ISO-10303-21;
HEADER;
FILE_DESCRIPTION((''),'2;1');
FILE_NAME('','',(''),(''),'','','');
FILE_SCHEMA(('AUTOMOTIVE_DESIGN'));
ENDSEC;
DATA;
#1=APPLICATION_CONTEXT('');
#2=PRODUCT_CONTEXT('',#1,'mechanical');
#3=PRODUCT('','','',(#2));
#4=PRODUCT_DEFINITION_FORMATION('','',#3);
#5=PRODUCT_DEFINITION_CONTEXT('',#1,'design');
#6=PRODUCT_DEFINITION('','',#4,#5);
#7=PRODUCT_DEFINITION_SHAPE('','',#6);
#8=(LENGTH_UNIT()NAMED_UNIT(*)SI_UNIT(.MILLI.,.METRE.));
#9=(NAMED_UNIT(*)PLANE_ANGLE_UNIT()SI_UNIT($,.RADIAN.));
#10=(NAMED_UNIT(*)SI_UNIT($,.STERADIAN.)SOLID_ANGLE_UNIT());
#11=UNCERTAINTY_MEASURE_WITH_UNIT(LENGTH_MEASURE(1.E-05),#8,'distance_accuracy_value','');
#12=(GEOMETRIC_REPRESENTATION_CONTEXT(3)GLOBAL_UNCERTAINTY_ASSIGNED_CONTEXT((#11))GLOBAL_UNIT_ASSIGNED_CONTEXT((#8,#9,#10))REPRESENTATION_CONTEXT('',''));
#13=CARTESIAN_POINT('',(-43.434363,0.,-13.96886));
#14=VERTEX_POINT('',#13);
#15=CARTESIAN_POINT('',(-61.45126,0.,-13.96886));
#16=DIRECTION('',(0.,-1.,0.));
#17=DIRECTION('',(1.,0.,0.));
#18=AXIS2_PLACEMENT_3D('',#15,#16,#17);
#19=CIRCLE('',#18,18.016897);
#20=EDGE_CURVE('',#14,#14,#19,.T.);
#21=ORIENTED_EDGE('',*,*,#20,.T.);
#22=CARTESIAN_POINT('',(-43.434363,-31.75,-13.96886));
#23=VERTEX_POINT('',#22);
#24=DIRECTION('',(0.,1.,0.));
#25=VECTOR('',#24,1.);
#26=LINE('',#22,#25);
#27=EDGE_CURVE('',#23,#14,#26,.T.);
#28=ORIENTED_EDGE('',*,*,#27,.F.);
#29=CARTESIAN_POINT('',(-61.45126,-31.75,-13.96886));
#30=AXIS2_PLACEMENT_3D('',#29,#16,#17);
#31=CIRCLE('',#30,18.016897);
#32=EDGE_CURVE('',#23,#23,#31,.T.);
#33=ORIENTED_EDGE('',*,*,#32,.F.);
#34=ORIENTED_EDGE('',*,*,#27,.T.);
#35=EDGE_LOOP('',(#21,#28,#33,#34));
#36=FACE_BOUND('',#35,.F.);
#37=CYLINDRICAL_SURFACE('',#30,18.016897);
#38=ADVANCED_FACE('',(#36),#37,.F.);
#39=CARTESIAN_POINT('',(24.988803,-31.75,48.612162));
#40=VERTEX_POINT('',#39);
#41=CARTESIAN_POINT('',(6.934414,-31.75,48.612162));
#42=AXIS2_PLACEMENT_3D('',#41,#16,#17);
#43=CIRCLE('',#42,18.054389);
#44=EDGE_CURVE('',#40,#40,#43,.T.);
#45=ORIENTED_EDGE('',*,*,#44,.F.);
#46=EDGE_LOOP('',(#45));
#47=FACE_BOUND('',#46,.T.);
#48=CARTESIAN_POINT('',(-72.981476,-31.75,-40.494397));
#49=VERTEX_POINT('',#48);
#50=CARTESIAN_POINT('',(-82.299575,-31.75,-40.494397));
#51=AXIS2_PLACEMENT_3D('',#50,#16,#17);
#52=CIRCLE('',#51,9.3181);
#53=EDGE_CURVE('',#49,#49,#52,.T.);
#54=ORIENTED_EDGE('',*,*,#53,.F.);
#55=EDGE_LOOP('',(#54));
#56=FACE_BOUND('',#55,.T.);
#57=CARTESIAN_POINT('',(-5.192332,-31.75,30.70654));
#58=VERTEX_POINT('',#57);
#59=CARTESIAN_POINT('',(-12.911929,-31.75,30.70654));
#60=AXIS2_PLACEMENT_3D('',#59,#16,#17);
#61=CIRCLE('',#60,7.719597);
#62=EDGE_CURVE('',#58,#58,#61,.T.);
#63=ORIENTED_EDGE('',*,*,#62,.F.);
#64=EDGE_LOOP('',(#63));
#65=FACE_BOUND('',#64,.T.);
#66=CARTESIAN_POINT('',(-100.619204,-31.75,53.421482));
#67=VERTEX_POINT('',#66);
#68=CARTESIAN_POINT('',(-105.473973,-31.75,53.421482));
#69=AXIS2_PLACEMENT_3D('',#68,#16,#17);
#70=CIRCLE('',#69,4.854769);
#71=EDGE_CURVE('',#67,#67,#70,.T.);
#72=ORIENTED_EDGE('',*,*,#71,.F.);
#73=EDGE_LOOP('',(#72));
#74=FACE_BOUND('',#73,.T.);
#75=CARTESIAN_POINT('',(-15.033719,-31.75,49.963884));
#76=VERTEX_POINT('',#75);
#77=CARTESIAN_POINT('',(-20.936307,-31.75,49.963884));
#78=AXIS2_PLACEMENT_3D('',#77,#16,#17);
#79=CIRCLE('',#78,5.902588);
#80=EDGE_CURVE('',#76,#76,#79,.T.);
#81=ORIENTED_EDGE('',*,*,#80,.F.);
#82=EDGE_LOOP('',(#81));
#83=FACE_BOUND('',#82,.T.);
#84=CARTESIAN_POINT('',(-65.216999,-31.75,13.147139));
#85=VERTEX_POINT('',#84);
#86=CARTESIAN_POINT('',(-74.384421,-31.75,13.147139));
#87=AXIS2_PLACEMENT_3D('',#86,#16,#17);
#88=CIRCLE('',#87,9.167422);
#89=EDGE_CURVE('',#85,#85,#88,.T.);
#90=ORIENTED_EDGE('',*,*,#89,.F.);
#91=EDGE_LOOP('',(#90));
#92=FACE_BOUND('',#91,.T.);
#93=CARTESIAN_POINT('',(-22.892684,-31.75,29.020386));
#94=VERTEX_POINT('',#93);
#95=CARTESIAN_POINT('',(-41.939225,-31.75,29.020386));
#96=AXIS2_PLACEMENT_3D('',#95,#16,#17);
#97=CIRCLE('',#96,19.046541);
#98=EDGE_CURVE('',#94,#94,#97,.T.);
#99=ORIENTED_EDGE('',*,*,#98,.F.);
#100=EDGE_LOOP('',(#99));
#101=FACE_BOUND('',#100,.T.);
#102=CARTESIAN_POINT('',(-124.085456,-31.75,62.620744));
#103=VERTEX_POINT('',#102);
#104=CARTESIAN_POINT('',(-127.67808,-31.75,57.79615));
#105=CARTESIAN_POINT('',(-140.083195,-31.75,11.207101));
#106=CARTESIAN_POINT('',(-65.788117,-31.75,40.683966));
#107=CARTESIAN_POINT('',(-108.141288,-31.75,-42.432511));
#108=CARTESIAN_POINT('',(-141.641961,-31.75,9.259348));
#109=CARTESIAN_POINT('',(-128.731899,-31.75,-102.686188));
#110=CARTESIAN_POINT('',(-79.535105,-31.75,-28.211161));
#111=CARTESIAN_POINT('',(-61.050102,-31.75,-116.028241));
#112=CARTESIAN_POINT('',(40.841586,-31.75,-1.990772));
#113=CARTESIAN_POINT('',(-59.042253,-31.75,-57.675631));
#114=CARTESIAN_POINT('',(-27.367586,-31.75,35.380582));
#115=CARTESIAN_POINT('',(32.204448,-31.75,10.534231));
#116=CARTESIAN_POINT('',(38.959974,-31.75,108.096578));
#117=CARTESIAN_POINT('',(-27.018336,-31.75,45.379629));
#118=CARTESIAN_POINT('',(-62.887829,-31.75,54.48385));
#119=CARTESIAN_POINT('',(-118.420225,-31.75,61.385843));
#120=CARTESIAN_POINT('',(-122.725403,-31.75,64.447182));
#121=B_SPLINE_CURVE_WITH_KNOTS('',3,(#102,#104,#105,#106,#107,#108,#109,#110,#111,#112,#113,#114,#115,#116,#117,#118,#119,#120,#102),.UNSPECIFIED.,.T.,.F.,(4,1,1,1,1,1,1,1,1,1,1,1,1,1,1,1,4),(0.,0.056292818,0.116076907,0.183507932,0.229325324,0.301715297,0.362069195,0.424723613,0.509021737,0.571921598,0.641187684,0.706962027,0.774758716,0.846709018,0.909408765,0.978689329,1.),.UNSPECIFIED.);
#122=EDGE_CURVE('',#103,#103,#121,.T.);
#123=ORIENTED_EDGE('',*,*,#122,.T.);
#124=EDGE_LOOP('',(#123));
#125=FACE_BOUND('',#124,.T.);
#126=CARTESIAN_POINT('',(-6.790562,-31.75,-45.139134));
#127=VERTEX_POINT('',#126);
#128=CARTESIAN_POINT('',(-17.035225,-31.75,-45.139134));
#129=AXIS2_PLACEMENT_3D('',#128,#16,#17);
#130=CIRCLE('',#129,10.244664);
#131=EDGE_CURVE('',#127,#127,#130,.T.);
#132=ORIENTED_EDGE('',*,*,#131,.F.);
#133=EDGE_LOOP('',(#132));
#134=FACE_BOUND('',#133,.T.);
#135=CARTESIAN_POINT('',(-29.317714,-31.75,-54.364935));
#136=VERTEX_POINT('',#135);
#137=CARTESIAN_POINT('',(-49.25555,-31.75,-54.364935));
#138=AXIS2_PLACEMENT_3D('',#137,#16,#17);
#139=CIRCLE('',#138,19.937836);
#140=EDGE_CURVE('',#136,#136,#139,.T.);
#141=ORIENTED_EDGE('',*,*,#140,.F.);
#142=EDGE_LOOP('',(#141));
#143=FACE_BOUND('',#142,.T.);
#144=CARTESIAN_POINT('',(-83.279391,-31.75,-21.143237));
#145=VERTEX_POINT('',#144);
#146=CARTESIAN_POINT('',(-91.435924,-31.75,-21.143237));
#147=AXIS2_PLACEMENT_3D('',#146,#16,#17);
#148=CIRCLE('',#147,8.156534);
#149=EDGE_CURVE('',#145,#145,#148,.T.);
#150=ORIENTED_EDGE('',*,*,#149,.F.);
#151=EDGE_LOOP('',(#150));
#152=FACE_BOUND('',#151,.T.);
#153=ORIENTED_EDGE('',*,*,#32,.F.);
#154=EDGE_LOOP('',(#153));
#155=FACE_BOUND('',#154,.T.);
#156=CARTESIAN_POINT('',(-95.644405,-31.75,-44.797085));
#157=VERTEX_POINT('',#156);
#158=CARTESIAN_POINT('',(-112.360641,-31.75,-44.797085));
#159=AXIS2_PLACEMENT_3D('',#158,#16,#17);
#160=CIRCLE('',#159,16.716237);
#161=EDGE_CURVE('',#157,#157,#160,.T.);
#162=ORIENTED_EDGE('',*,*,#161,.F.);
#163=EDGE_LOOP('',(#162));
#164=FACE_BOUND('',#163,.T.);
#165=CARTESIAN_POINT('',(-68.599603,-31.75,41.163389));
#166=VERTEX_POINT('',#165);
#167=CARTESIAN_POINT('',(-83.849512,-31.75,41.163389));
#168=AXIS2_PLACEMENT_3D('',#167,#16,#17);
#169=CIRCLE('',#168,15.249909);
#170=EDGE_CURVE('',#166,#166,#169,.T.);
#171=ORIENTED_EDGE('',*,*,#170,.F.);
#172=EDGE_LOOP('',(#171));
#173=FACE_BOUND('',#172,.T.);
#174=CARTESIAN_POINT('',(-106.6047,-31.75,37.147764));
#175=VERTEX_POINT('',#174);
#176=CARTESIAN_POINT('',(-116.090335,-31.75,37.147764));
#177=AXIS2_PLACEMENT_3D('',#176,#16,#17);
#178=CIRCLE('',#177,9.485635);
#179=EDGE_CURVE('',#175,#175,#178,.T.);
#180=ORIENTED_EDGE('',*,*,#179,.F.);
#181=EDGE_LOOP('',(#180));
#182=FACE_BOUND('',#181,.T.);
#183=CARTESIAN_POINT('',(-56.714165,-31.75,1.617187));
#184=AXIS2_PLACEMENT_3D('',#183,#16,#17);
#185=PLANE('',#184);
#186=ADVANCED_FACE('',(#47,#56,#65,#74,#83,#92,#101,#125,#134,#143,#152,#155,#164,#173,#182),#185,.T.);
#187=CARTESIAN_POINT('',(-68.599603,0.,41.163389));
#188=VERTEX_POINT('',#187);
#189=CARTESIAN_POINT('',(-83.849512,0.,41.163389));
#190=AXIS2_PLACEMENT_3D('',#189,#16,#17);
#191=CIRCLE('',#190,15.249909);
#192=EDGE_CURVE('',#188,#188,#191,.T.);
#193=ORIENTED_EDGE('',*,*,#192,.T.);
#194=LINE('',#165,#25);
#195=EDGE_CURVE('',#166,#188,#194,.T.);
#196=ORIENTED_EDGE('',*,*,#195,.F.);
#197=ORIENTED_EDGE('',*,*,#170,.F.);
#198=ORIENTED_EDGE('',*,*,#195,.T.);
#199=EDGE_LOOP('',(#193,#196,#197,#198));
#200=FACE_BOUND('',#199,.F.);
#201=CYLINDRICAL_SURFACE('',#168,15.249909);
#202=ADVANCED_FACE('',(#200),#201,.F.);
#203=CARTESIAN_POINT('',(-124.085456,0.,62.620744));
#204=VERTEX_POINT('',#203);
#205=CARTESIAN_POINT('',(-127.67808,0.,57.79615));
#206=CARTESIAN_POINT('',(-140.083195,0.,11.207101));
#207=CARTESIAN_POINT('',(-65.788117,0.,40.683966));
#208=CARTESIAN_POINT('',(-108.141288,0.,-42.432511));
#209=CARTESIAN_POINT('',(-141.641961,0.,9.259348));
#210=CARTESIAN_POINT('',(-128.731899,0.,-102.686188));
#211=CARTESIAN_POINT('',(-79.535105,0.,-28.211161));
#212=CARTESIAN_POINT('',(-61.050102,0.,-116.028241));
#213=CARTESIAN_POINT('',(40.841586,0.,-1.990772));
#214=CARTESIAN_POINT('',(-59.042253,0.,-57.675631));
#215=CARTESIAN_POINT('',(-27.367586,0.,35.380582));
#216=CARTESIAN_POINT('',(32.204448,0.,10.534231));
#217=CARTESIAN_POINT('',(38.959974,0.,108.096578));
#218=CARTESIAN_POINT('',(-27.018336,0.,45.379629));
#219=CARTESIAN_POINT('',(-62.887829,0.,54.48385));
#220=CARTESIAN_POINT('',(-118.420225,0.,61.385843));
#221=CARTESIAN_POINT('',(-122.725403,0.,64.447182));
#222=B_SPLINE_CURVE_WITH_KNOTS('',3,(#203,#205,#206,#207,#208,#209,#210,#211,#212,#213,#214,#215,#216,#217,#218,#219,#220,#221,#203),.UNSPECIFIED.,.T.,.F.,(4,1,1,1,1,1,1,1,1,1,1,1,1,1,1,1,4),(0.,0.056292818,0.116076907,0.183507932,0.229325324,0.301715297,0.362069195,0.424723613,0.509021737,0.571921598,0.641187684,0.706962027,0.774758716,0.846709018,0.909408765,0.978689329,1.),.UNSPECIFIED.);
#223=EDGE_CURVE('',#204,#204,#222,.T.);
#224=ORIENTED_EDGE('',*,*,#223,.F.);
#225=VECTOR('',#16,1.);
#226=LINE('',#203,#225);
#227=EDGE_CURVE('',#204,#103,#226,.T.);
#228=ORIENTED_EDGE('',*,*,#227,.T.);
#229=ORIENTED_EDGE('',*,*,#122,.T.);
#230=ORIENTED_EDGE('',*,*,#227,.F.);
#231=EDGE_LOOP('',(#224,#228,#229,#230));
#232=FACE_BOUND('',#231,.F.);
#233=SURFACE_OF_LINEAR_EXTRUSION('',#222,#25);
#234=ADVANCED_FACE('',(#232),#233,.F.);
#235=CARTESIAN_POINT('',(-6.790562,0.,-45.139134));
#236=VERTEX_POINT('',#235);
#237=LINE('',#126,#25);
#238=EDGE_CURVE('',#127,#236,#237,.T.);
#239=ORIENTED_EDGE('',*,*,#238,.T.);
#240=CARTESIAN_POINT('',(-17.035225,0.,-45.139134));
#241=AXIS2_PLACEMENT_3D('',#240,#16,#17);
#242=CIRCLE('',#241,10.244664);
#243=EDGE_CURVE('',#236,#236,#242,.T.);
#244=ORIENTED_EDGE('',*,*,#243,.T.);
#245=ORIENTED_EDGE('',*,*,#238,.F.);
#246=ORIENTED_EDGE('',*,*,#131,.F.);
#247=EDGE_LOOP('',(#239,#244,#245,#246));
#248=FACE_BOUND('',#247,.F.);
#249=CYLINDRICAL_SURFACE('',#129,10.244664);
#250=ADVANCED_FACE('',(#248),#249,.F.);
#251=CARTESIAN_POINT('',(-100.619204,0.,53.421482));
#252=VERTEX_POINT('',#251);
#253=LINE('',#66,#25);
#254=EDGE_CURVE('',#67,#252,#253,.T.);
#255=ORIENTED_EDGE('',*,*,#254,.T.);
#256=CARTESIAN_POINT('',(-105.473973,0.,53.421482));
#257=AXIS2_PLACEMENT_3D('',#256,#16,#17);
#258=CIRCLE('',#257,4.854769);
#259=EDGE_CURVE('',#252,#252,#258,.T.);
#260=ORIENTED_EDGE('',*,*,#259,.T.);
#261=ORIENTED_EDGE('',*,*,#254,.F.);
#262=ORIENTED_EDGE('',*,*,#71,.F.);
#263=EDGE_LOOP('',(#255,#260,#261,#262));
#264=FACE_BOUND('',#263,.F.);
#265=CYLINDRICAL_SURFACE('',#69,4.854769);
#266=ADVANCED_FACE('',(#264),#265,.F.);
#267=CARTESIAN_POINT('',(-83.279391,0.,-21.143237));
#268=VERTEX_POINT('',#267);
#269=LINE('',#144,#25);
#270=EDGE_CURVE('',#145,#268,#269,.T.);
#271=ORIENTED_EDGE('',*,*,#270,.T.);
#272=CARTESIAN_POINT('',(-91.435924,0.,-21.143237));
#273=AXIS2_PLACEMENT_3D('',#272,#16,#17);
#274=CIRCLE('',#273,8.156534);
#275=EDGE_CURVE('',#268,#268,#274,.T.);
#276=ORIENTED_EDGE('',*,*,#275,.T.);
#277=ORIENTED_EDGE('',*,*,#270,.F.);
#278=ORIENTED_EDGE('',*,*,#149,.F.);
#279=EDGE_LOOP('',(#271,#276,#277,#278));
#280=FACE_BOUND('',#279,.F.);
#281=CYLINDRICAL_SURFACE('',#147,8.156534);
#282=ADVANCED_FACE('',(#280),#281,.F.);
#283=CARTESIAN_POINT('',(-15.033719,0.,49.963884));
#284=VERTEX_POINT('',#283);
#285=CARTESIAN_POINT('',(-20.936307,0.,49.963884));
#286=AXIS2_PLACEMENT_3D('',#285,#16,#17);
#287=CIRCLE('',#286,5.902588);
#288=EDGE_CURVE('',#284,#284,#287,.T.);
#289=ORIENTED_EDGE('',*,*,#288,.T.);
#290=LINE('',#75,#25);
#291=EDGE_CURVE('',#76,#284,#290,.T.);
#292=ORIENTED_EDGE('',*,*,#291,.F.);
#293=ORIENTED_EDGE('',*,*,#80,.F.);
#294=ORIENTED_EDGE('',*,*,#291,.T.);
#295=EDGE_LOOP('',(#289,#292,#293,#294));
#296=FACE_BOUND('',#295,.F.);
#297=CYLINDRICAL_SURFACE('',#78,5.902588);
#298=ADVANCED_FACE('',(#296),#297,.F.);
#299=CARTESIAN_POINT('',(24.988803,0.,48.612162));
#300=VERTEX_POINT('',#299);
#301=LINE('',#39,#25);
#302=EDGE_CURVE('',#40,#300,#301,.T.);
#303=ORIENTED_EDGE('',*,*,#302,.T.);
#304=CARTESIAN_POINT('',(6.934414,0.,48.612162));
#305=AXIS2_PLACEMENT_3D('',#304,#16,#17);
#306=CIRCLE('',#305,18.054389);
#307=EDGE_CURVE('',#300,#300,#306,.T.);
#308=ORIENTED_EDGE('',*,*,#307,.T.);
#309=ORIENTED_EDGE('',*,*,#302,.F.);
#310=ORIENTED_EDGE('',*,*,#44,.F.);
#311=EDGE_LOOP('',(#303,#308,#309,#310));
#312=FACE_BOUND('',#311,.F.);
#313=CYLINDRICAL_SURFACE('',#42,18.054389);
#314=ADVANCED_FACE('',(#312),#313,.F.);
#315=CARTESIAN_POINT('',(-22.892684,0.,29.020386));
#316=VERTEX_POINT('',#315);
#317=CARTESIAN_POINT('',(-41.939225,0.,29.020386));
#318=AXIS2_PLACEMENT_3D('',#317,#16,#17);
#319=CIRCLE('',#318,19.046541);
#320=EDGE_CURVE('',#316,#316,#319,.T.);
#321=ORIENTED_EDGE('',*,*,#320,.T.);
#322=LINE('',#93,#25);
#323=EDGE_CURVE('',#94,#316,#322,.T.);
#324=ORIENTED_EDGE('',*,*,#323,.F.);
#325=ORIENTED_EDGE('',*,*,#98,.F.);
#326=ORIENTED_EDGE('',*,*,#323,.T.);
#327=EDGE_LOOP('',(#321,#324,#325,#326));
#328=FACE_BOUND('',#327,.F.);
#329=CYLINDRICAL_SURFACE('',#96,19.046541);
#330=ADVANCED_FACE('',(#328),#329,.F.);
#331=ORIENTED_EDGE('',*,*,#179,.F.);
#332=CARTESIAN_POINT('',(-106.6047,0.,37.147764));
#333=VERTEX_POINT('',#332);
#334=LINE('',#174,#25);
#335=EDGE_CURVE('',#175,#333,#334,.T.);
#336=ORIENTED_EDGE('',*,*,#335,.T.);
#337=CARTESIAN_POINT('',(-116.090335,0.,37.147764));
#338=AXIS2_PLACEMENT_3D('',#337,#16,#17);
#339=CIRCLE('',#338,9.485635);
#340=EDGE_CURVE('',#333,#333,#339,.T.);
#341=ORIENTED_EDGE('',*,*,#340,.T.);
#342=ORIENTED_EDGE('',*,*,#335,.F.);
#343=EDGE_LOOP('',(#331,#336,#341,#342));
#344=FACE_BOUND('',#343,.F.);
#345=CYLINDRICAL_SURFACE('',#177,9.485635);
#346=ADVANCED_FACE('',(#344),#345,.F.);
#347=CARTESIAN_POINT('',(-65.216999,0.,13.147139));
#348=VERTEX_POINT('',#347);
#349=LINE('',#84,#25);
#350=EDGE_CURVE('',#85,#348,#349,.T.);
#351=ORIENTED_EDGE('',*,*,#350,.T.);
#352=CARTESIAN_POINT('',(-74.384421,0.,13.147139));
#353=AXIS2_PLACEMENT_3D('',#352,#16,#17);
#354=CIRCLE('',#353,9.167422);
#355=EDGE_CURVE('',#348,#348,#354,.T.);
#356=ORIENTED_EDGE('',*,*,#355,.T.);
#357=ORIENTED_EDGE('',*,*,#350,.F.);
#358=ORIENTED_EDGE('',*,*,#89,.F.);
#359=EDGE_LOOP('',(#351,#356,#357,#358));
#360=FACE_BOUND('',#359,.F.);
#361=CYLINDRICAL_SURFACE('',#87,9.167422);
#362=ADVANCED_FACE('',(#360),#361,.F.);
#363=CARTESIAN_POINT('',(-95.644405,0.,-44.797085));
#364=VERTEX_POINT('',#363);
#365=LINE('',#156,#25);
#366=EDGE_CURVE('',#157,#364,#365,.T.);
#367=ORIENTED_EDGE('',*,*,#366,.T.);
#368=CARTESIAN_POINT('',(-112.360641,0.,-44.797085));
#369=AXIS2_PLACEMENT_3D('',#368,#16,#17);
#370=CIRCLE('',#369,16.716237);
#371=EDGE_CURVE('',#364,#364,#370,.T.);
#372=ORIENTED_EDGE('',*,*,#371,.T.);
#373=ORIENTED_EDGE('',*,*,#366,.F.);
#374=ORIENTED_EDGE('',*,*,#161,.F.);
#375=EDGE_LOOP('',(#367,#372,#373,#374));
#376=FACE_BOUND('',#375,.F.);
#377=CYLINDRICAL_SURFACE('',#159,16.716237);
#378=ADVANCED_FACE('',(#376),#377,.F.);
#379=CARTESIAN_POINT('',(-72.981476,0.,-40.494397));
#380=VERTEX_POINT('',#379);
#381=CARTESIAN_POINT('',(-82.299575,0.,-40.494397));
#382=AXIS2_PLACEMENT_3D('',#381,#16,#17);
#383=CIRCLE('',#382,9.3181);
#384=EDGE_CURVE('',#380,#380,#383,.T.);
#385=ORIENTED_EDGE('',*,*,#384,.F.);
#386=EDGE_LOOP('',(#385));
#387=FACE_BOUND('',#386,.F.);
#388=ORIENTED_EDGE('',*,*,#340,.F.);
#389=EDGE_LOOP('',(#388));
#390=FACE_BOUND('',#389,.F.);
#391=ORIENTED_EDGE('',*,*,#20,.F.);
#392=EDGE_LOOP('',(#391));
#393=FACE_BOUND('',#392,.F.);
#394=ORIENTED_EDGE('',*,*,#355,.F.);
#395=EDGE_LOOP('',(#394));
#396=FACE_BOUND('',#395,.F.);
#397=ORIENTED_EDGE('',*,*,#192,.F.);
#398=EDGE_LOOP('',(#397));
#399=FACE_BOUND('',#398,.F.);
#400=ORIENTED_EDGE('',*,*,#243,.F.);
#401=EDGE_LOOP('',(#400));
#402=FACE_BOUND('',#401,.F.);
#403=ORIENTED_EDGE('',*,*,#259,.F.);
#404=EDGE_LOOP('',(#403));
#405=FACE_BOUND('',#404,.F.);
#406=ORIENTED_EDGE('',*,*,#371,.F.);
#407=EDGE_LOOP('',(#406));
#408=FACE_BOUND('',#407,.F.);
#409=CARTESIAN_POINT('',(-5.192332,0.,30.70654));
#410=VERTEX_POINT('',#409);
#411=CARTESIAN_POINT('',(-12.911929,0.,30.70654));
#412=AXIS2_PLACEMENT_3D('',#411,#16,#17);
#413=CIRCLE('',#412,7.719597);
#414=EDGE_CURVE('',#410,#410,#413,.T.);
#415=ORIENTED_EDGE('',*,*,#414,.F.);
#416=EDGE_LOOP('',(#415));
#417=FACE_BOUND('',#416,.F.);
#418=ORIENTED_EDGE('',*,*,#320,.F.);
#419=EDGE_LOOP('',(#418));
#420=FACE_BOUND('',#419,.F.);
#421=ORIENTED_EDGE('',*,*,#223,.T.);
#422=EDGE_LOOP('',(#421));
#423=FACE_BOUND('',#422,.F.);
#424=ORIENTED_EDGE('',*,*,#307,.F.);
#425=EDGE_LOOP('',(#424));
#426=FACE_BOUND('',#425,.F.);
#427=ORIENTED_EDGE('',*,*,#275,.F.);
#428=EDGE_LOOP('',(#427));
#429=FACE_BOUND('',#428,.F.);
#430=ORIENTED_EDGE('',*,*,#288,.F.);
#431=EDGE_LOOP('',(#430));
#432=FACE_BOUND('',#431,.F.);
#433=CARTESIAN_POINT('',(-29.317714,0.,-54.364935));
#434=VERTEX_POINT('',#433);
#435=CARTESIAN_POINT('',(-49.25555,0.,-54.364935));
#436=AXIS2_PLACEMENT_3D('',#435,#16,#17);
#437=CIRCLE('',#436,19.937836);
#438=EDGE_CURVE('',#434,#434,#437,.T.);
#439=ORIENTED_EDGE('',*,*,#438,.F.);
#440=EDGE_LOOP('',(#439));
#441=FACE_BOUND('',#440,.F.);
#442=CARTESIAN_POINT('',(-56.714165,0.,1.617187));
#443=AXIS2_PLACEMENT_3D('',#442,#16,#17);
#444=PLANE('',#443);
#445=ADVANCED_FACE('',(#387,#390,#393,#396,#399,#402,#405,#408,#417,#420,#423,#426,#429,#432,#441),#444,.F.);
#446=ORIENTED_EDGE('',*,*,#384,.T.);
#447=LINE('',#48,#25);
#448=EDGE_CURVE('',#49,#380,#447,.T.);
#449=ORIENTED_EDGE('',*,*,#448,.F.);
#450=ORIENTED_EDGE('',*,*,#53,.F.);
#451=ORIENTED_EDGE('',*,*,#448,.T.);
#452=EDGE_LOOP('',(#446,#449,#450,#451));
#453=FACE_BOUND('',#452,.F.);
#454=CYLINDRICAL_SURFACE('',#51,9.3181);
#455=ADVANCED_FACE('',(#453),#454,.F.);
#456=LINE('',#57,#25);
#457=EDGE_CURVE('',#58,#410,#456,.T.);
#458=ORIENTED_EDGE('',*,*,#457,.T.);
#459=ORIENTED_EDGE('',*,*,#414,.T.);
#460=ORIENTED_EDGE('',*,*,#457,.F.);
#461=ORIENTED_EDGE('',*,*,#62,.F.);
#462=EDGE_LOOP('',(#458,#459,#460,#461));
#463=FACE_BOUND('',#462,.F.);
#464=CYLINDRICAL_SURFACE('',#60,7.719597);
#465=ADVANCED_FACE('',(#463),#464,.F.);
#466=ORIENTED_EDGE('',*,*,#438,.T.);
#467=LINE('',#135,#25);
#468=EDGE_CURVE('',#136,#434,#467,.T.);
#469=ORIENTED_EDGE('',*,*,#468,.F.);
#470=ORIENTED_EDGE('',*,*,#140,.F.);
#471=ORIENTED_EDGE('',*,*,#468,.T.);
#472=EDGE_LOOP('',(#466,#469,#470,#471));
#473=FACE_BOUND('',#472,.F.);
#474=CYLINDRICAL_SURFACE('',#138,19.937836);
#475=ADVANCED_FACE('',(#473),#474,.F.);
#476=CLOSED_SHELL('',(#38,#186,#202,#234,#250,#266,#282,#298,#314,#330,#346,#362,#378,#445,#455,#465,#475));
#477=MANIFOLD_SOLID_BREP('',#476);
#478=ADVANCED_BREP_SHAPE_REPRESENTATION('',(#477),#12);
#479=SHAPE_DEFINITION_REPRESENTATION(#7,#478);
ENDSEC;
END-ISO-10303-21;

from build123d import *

# Parameters (mm, degrees)
F1_DEPTH = 31.75
F2_R     = 16.7162366145
F2_R_2   = 8.156533571
F2_R_3   = 9.3180995439
F2_R_4   = 19.9378356788
F2_R_5   = 18.0168968117
F2_R_6   = 9.1674223178
F2_R_7   = 15.2499085818
F2_R_8   = 9.4856346138
F2_R_9   = 4.8547692862
F2_R_10  = 19.0465414349
F2_R_11  = 5.9025878712
F2_R_12  = 7.7195968666
F2_R_13  = 18.0543888851
F2_R_14  = 10.2446638156
F3_DEPTH = 35.306


with BuildPart() as f1:
    # F0 (on Front) → F1 (new body)
    with BuildSketch(Plane.XZ):
        with BuildLine():
            add(Edge.make_bspline(
                [(-124.0854561329, 62.6207441092), (-127.6780801402, 57.7961500918), (-140.0831950222, 11.2071007697), (-65.7881167288, 40.6839656493), (-108.1412875197, -42.4325114142), (-141.6419612479, 9.2593475895), (-128.7318987955, -102.6861876596), (-79.5351048018, -28.2111607311), (-61.0501015141, -116.0282407871), (40.8415864435, -1.9907721148), (-59.0422534777, -57.6756308603), (-27.3675856758, 35.3805815485), (32.2044483165, 10.5342311651), (38.9599743058, 108.0965780536), (-27.018336108, 45.3796290845), (-62.8878293438, 54.4838498343), (-118.420224939, 61.3858430487), (-122.7254028897, 64.447182035), (-124.0854561329, 62.6207441092)],
                knots=[0, 0, 0, 0, 0.056292818, 0.1160769068, 0.1835079317, 0.229325324, 0.301715297, 0.3620691948, 0.4247236127, 0.5090217366, 0.5719215981, 0.6411876837, 0.7069620272, 0.7747587156, 0.8467090175, 0.9094087651, 0.9786893286, 1, 1, 1, 1], degree=3))
        make_face()
    extrude(amount=F1_DEPTH)

    # F2 (on face) → F3 (cut)
    with BuildSketch(Plane.XZ.offset(31.75)):
        with Locations((-112.3606413603, -44.7970852256)):
            Circle(F2_R)
        with Locations((-91.4359241724, -21.1432371289)):
            Circle(F2_R_2)
        with Locations((-82.2995752096, -40.4943972826)):
            Circle(F2_R_3)
        with Locations((-49.2555499077, -54.3649345636)):
            Circle(F2_R_4)
        with Locations((-61.4512600005, -13.9688597992)):
            Circle(F2_R_5)
        with Locations((-74.3844211102, 13.1471389905)):
            Circle(F2_R_6)
        with Locations((-83.8495120406, 41.1633886397)):
            Circle(F2_R_7)
        with Locations((-116.0903349519, 37.1477641165)):
            Circle(F2_R_8)
        with Locations((-105.473972857, 53.4214824438)):
            Circle(F2_R_9)
        with Locations((-41.9392250478, 29.0203858167)):
            Circle(F2_R_10)
        with Locations((-20.936306566, 49.9638840556)):
            Circle(F2_R_11)
        with Locations((-12.9119288176, 30.7065397501)):
            Circle(F2_R_12)
        with Locations((6.9344141521, 48.6121624708)):
            Circle(F2_R_13)
        with Locations((-17.0352254063, -45.1391339302)):
            Circle(F2_R_14)
    extrude(amount=-F3_DEPTH, mode=Mode.SUBTRACT)


solid = f1.part
